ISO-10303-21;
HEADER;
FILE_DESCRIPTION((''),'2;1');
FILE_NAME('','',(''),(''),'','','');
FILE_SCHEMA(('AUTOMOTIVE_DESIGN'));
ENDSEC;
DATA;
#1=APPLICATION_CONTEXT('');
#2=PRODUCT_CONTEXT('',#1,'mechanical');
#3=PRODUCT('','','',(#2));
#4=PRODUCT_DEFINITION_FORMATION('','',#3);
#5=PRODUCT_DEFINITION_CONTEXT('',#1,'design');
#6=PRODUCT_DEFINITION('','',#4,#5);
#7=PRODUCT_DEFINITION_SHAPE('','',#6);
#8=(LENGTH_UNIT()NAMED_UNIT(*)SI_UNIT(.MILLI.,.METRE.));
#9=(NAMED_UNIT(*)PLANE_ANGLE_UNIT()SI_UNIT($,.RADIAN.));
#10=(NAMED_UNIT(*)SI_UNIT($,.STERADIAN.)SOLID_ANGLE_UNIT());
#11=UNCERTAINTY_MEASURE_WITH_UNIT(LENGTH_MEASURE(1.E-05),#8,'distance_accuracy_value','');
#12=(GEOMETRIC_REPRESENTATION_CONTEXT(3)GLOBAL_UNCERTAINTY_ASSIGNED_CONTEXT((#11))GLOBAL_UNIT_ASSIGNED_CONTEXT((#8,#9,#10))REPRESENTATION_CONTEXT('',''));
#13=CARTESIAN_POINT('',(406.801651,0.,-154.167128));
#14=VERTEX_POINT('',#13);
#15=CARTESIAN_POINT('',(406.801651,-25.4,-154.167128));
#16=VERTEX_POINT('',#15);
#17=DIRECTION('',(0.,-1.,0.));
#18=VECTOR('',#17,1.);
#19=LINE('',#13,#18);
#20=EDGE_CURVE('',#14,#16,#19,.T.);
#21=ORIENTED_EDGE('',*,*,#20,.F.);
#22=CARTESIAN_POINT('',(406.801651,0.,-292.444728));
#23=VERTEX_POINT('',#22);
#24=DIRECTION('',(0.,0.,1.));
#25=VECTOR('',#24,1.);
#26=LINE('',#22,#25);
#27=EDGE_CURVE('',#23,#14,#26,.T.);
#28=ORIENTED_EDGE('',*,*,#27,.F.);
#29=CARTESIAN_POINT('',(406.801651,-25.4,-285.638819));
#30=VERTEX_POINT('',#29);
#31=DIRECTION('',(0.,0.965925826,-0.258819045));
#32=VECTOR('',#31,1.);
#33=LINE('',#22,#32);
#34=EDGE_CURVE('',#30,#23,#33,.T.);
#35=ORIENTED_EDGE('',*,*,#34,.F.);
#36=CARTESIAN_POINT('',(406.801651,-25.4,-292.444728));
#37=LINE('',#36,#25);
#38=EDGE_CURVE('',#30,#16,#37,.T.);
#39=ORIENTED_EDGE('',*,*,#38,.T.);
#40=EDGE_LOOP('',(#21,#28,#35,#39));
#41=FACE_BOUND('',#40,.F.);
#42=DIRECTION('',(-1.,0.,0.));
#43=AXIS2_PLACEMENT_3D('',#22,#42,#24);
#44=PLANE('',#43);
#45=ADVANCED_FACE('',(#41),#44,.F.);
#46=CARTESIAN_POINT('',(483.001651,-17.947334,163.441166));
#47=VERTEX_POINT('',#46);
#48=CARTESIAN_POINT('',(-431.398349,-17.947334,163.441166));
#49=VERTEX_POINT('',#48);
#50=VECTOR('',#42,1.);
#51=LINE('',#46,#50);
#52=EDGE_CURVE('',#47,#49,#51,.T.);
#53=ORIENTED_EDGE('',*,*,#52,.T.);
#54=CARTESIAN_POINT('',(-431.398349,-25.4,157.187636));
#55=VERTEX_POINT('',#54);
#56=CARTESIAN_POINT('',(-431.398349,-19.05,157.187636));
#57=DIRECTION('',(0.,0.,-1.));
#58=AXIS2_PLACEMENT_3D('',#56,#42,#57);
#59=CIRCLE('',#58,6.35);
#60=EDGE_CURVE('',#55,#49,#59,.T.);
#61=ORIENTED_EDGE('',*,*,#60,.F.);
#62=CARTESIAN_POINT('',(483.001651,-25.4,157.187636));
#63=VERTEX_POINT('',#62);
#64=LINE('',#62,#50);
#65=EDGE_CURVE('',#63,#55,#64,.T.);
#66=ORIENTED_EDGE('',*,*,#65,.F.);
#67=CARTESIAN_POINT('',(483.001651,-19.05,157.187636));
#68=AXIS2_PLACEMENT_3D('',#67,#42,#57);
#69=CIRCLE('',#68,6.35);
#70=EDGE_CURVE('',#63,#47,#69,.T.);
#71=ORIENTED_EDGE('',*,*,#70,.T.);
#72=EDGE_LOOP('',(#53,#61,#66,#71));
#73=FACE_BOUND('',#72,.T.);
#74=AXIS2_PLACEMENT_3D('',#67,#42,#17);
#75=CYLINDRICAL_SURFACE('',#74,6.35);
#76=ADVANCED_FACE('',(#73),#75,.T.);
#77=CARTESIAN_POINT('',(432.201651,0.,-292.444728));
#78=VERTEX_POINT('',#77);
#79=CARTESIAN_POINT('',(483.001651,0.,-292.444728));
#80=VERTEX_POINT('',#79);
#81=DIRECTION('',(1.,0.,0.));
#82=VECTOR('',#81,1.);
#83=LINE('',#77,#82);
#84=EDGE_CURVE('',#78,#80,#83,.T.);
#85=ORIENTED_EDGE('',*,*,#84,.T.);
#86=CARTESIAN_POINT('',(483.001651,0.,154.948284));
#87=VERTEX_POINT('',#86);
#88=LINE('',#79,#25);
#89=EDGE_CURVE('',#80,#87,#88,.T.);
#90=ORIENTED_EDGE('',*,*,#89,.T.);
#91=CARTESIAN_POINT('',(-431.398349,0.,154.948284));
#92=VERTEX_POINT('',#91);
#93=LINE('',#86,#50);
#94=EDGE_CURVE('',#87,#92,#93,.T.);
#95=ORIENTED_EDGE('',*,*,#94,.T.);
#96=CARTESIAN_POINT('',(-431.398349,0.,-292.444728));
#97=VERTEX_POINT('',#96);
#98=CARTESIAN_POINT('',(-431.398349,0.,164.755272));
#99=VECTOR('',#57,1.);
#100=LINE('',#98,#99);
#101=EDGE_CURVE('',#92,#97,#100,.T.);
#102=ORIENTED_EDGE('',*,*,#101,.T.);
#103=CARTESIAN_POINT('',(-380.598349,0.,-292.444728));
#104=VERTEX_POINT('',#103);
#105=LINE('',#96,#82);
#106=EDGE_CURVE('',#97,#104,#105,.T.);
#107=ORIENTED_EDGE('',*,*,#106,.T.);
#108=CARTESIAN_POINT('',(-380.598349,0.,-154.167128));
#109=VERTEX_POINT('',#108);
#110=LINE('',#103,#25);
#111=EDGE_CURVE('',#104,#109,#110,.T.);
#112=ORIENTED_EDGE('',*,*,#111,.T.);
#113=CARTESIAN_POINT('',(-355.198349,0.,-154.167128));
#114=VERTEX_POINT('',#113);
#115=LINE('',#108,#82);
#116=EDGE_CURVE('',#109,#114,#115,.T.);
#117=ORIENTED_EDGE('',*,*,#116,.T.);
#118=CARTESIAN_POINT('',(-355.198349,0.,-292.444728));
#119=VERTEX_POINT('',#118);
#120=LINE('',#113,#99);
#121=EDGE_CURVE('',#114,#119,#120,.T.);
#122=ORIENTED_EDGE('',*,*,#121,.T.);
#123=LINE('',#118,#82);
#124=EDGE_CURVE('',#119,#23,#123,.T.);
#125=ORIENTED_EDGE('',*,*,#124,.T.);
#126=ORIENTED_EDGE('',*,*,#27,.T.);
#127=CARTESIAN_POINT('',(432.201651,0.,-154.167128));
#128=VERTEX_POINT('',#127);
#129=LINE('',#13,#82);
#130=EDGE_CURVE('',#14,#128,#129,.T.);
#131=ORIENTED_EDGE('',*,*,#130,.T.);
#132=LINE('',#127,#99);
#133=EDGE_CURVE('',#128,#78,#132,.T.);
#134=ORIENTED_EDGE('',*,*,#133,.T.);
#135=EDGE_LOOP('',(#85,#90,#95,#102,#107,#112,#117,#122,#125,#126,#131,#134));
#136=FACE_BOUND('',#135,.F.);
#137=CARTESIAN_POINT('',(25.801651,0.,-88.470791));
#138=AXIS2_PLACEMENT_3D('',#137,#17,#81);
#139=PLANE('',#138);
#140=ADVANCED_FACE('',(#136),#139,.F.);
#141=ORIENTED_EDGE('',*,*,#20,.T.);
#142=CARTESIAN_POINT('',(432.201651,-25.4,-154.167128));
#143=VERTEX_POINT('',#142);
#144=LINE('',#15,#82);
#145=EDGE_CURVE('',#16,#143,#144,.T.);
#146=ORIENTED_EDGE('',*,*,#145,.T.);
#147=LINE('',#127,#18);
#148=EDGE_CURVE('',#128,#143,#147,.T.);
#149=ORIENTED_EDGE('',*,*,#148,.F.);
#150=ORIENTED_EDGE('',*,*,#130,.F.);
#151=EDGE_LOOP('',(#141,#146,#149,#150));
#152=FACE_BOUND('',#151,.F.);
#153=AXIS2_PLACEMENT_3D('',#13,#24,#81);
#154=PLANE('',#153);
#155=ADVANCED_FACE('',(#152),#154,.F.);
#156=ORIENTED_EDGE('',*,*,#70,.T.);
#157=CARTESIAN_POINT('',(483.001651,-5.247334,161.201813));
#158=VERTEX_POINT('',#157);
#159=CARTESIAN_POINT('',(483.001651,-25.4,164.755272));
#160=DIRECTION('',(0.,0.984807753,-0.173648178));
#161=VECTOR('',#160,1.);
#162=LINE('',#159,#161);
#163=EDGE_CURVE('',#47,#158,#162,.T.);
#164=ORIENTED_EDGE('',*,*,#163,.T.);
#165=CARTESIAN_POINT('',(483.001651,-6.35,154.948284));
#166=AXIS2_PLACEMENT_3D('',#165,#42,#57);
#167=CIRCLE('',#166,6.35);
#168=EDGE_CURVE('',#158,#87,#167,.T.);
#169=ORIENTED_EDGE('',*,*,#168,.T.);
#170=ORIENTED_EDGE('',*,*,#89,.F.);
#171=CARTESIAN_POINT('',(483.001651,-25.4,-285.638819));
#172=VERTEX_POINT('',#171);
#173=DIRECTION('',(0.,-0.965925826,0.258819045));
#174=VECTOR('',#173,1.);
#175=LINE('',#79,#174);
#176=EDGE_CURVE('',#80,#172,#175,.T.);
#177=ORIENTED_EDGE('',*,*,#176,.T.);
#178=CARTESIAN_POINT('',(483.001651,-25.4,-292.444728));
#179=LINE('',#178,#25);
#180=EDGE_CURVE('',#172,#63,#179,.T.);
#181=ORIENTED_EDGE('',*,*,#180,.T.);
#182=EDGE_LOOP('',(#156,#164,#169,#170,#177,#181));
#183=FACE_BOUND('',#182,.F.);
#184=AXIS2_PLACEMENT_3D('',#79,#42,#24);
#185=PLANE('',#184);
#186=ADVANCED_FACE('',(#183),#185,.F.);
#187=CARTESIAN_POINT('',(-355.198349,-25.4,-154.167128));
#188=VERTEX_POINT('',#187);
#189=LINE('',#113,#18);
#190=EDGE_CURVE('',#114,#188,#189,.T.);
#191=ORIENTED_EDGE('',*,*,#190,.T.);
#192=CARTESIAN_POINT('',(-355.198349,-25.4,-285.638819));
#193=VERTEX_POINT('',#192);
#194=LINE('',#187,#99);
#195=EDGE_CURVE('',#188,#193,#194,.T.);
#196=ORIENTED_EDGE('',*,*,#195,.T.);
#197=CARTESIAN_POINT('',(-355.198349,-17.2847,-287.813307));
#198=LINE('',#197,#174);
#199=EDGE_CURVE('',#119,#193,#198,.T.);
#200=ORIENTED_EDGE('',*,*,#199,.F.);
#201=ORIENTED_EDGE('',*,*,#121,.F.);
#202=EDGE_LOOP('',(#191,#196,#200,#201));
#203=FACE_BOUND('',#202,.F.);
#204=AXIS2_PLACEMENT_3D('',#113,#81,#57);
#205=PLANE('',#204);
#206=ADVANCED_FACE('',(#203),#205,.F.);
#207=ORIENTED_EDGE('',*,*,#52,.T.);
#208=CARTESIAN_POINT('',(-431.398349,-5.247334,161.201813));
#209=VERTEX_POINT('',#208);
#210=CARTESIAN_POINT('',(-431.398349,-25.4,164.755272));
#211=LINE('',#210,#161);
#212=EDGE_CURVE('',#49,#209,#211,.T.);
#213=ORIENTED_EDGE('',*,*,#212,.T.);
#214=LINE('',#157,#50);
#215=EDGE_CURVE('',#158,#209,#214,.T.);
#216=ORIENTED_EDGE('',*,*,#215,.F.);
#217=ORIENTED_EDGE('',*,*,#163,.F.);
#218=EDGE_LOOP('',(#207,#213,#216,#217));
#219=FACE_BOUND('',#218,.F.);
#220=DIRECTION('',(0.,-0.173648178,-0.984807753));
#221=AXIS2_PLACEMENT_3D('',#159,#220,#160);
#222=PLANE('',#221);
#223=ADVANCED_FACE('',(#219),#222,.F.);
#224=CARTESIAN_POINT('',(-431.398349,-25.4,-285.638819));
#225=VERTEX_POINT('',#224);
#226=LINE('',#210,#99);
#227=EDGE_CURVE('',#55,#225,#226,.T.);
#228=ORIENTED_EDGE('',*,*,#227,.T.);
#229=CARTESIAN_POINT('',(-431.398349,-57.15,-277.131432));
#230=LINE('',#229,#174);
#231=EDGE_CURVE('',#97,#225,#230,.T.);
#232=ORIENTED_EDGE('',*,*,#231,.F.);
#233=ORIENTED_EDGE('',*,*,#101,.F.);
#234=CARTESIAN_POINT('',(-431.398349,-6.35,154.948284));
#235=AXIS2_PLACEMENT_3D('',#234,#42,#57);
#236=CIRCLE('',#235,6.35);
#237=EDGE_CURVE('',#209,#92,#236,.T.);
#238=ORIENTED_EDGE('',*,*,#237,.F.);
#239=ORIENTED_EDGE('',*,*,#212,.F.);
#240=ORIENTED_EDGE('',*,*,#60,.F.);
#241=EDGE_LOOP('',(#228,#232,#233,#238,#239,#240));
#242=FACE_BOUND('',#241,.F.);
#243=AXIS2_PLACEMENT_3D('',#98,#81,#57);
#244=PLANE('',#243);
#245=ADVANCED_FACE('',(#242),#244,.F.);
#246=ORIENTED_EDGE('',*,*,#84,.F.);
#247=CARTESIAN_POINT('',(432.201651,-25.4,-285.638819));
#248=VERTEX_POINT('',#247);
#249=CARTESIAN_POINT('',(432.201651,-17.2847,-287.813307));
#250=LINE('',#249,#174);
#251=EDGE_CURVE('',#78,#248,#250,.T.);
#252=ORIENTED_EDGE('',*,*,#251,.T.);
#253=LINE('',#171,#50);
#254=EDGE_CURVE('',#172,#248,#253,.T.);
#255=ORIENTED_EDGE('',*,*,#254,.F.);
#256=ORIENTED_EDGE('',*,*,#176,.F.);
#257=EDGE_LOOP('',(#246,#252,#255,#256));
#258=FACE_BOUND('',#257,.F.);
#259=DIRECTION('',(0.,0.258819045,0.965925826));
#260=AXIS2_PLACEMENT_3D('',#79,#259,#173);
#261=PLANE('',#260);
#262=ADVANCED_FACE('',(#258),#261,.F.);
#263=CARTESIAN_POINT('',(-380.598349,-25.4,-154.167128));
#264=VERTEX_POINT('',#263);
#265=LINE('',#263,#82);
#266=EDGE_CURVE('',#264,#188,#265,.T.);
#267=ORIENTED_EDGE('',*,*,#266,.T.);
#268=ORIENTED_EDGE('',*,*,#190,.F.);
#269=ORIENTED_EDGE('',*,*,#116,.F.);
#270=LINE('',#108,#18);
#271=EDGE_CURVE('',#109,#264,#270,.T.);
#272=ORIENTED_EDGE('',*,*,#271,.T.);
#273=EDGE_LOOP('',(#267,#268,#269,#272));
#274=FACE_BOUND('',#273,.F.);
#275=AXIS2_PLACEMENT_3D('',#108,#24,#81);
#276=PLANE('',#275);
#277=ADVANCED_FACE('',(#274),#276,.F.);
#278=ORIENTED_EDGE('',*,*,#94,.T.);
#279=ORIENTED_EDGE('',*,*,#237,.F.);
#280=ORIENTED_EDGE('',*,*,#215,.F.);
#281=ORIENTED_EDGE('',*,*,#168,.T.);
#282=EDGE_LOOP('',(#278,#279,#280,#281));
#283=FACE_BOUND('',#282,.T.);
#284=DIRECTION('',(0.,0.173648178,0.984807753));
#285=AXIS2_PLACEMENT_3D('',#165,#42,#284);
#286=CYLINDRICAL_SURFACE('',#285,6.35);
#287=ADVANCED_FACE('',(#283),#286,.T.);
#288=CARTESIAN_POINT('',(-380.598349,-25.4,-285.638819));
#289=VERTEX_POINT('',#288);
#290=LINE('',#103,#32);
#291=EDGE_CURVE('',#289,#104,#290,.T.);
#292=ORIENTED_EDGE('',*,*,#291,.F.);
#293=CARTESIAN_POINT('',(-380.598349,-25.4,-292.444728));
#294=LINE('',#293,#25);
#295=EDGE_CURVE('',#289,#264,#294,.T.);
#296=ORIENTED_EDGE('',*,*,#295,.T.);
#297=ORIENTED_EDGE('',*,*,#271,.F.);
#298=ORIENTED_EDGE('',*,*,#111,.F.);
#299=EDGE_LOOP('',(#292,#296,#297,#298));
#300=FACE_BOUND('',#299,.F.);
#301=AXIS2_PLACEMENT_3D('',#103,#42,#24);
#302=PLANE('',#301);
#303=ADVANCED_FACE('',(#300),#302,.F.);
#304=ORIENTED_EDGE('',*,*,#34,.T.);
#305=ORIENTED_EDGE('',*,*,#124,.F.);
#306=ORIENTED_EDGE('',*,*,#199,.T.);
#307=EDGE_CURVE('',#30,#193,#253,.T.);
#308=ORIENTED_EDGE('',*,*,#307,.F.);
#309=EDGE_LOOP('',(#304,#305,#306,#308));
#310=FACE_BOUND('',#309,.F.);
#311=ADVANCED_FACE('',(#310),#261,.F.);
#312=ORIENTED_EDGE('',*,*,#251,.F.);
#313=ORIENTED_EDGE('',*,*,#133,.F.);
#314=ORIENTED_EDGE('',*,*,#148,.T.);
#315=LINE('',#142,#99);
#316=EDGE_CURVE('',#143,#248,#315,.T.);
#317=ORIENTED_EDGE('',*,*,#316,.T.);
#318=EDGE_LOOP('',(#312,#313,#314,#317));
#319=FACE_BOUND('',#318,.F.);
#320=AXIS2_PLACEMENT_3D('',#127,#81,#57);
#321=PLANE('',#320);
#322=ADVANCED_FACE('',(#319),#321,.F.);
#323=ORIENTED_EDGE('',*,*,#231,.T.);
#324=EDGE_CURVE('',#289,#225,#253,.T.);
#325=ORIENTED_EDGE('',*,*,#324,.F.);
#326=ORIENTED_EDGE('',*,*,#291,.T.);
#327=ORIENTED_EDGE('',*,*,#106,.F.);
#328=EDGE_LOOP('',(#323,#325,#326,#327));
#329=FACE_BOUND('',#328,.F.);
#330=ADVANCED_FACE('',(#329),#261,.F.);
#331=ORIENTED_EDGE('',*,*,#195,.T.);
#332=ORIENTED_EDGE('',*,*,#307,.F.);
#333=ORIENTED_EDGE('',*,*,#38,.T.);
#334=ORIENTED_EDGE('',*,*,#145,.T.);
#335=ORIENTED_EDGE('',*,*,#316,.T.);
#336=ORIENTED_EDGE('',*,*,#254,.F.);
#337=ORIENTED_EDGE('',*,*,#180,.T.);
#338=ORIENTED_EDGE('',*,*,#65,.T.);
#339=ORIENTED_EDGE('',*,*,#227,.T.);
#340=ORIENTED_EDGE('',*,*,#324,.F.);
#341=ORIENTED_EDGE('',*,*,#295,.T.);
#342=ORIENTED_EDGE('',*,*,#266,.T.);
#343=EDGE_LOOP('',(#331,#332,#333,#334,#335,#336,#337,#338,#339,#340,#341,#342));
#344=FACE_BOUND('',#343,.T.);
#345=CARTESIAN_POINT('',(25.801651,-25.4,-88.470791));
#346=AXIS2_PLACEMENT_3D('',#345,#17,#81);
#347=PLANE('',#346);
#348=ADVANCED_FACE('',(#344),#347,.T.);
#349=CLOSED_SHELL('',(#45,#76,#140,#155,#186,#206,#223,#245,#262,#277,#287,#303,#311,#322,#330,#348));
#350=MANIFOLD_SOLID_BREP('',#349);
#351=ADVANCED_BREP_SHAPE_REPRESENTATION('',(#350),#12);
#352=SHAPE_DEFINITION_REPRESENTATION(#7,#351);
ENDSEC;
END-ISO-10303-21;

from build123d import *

# Parameters (mm, degrees)
F1_DEPTH = 25.4
F3_DEPTH = 914.4
F4_R     = 6.35
F6_DEPTH = 914.401


with BuildPart() as f1:
    # F0 (on Front) → F1 (new body)
    with BuildSketch(Plane.XZ):
        Polygon((483.0016511798, 164.7552716235), (-431.3983488202, 164.7552716235), (-431.3983488202, -292.4447283765), (-380.5983488202, -292.4447283765), (-380.5983488202, -154.1671283765), (-355.1983488202, -154.1671283765), (-355.1983488202, -292.4447283765), (406.8016511798, -292.4447283765), (406.8016511798, -154.1671283765), (432.2016511798, -154.1671283765), (432.2016511798, -292.4447283765), (483.0016511798, -292.4447283765), align=None)
    extrude(amount=F1_DEPTH)

    # F2 (on face) → F3 (cut)
    with BuildSketch(Plane.YZ.offset(483.0016511798)):
        Polygon((0, 164.7552716235), (-25.4, 164.7552716235), (0, 160.2765663135), align=None)
    extrude(amount=-F3_DEPTH, mode=Mode.SUBTRACT)

    # F4
    f4_edges = [f1.edges().sort_by_distance(p)[0] for p in [
        (25.801651, 0, 160.276566),
        (25.801651, -25.4, 164.755272),
    ]]
    fillet(f4_edges, radius=F4_R)

    # F5 (on face) → F6 (cut, through all)
    with BuildSketch(Plane.YZ.offset(483.0016511798)):
        Polygon((-25.4, -292.4447283765), (0, -292.4447283765), (-25.4, -285.6388188887), align=None)
    extrude(amount=-F6_DEPTH, mode=Mode.SUBTRACT)


solid = f1.part
